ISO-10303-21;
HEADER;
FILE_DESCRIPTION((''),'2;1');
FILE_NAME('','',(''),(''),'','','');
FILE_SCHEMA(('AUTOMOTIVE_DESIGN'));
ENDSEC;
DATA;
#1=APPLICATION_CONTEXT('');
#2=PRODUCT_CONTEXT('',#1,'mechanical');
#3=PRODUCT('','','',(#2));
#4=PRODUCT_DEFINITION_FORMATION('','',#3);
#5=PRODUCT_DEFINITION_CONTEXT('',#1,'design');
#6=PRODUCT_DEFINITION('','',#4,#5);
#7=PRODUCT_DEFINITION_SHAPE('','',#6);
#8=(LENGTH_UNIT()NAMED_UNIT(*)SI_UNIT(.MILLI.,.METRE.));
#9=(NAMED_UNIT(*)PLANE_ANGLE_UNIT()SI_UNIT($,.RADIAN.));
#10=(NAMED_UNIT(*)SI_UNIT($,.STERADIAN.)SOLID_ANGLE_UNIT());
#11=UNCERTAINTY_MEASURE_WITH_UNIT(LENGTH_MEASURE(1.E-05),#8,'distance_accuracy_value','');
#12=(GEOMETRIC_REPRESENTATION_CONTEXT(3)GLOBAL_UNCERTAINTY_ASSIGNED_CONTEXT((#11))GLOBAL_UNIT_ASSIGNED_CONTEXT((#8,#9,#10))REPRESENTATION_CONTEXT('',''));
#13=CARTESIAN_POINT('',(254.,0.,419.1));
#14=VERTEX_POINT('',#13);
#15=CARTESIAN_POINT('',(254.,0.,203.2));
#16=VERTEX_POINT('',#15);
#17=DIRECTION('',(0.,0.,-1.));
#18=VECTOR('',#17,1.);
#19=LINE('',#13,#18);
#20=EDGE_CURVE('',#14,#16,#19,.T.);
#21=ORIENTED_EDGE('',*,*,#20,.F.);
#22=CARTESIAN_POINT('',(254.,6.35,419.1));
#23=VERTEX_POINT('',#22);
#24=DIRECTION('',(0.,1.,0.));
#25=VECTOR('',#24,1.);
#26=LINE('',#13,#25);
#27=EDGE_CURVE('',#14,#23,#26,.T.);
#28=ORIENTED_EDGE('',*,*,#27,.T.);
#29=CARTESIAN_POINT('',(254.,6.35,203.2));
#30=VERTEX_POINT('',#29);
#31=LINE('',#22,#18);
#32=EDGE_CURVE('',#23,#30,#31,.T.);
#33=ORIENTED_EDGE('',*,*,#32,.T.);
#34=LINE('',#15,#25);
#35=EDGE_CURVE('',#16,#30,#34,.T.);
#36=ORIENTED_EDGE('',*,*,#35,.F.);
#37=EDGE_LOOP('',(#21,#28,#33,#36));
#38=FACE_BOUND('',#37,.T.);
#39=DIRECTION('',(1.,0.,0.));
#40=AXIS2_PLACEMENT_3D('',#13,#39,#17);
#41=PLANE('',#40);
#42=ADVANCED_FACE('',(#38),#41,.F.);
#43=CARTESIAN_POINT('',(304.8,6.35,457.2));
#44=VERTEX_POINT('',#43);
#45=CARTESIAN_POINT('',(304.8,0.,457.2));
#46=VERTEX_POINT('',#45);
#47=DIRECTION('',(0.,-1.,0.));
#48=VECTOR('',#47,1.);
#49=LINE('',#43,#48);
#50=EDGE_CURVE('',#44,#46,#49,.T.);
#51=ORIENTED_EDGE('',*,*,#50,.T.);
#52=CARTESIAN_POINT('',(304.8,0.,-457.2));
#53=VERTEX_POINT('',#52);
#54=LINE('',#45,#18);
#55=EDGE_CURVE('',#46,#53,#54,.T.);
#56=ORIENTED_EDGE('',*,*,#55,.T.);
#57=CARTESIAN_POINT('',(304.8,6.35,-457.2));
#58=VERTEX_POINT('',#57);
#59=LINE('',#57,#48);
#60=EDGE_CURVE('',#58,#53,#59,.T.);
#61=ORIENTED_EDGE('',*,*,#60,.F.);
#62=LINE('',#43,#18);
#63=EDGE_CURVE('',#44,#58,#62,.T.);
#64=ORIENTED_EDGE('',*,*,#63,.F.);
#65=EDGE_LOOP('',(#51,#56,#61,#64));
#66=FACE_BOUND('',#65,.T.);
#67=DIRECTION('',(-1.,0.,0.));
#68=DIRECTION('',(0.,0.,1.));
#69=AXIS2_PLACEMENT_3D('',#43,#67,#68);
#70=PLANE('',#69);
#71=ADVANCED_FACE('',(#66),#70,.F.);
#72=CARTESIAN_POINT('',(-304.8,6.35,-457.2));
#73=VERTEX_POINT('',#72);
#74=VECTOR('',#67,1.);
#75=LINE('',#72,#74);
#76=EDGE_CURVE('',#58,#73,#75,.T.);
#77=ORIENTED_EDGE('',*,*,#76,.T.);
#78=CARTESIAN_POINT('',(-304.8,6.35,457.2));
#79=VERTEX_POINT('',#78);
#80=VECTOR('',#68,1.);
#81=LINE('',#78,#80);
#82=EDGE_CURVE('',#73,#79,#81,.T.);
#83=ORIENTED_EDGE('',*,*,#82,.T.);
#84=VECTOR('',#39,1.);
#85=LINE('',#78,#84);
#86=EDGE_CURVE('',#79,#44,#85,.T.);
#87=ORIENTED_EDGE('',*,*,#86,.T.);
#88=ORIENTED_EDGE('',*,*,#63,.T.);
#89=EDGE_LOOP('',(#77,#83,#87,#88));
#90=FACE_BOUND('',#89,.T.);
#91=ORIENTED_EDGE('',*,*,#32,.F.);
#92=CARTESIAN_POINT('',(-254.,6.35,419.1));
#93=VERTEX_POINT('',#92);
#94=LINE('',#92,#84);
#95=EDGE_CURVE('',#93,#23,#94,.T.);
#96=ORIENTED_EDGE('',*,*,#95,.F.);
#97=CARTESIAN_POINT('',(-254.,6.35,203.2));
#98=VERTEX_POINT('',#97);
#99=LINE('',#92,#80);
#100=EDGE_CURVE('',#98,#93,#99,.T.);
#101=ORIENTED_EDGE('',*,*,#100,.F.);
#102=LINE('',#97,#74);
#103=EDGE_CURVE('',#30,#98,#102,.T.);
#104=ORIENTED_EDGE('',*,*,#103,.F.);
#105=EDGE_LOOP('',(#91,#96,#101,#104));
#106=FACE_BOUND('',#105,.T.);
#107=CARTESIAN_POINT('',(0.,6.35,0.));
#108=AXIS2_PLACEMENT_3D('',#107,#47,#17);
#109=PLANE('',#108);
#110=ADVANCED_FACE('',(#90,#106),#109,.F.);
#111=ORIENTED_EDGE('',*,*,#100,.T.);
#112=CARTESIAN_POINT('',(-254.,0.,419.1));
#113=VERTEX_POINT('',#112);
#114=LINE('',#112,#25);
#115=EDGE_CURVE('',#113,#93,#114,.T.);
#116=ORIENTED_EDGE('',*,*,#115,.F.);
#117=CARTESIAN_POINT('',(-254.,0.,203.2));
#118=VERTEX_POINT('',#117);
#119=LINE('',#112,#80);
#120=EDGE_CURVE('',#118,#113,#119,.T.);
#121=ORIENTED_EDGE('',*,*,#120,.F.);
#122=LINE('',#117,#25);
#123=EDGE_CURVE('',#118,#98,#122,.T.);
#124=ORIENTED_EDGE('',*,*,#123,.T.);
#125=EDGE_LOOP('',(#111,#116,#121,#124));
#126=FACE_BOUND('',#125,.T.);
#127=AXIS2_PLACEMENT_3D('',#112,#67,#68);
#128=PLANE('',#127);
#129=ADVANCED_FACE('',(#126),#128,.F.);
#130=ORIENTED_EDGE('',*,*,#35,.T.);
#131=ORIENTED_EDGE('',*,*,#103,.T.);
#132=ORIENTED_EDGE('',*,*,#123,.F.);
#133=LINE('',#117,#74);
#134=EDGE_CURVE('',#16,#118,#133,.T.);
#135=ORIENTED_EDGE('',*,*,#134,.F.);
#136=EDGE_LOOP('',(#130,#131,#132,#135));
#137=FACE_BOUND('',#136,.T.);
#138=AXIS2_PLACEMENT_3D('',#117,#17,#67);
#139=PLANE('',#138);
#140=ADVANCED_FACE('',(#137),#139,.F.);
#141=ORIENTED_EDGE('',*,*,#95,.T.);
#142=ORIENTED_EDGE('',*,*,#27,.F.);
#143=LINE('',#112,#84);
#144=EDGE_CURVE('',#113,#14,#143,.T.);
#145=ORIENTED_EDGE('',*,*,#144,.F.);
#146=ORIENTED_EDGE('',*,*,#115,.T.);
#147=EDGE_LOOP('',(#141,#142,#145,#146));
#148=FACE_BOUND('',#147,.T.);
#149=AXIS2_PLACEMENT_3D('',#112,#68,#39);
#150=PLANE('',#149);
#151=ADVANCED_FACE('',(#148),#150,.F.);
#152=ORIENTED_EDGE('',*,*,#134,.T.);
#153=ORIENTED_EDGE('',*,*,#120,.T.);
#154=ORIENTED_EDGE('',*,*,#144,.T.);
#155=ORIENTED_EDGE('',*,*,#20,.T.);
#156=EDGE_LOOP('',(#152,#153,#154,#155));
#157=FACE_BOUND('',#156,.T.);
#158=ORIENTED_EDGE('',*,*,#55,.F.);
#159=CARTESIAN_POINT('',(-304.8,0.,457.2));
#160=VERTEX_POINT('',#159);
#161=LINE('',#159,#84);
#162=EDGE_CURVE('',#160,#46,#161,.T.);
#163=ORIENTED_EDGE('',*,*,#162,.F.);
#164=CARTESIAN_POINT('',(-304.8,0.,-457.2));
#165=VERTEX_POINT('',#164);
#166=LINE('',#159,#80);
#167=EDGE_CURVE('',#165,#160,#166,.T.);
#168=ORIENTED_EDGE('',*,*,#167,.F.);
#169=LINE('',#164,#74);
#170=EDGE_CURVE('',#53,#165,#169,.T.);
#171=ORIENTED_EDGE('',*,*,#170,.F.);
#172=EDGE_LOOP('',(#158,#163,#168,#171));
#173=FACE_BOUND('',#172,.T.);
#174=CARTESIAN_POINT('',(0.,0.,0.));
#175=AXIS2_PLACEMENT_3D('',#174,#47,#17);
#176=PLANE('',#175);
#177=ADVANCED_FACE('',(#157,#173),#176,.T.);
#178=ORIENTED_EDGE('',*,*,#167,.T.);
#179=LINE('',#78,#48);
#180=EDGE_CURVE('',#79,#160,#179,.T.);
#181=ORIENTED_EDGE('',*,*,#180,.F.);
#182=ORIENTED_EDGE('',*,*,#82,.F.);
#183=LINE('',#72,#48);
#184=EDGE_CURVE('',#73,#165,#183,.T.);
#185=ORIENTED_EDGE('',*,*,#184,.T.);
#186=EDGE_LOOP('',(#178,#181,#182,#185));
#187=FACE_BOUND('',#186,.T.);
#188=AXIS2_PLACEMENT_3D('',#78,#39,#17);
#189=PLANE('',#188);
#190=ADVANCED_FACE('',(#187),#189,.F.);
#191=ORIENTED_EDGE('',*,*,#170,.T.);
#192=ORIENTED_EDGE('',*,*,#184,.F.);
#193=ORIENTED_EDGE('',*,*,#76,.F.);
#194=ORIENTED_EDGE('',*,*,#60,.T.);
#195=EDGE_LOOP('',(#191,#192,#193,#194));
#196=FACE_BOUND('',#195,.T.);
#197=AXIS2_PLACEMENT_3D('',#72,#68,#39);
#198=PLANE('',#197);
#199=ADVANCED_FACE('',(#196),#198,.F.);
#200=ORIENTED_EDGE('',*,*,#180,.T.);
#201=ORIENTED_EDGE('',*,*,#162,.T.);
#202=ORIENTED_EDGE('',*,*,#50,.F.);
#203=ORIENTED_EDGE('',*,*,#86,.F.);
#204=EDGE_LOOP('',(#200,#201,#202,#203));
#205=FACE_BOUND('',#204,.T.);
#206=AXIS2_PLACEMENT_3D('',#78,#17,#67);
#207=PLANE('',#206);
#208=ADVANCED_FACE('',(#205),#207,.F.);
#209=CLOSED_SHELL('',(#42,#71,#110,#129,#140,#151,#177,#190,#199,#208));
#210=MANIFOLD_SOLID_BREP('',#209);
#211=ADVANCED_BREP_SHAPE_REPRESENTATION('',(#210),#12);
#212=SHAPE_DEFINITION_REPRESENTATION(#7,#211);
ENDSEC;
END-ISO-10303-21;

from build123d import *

# Parameters (mm, degrees)
SKETCH1_W           = 609.6
SKETCH1_H           = 914.4
BOSS_EXTRUDE1_DEPTH = 6.35
SKETCH2_W           = 508
SKETCH2_H           = 215.9
CUT_EXTRUDE1_DEPTH  = 550.522704263


with BuildPart() as part:
    # Sketch1 → Boss-Extrude1 (new body)
    with BuildSketch(Plane(origin=(0, 0, 0), x_dir=(1, 0, 0), z_dir=(0, 1, 0))):
        Rectangle(SKETCH1_W, SKETCH1_H)
    extrude(amount=BOSS_EXTRUDE1_DEPTH)

    # Sketch2 → Cut-Extrude1 (cut, through all)
    with BuildSketch(Plane(origin=(0, 6.35, 0), x_dir=(1, 0, 0), z_dir=(0, 1, 0))):
        with Locations((0, -311.15)):
            Rectangle(SKETCH2_W, SKETCH2_H)
    extrude(amount=-CUT_EXTRUDE1_DEPTH, mode=Mode.SUBTRACT)


solid = part.part
